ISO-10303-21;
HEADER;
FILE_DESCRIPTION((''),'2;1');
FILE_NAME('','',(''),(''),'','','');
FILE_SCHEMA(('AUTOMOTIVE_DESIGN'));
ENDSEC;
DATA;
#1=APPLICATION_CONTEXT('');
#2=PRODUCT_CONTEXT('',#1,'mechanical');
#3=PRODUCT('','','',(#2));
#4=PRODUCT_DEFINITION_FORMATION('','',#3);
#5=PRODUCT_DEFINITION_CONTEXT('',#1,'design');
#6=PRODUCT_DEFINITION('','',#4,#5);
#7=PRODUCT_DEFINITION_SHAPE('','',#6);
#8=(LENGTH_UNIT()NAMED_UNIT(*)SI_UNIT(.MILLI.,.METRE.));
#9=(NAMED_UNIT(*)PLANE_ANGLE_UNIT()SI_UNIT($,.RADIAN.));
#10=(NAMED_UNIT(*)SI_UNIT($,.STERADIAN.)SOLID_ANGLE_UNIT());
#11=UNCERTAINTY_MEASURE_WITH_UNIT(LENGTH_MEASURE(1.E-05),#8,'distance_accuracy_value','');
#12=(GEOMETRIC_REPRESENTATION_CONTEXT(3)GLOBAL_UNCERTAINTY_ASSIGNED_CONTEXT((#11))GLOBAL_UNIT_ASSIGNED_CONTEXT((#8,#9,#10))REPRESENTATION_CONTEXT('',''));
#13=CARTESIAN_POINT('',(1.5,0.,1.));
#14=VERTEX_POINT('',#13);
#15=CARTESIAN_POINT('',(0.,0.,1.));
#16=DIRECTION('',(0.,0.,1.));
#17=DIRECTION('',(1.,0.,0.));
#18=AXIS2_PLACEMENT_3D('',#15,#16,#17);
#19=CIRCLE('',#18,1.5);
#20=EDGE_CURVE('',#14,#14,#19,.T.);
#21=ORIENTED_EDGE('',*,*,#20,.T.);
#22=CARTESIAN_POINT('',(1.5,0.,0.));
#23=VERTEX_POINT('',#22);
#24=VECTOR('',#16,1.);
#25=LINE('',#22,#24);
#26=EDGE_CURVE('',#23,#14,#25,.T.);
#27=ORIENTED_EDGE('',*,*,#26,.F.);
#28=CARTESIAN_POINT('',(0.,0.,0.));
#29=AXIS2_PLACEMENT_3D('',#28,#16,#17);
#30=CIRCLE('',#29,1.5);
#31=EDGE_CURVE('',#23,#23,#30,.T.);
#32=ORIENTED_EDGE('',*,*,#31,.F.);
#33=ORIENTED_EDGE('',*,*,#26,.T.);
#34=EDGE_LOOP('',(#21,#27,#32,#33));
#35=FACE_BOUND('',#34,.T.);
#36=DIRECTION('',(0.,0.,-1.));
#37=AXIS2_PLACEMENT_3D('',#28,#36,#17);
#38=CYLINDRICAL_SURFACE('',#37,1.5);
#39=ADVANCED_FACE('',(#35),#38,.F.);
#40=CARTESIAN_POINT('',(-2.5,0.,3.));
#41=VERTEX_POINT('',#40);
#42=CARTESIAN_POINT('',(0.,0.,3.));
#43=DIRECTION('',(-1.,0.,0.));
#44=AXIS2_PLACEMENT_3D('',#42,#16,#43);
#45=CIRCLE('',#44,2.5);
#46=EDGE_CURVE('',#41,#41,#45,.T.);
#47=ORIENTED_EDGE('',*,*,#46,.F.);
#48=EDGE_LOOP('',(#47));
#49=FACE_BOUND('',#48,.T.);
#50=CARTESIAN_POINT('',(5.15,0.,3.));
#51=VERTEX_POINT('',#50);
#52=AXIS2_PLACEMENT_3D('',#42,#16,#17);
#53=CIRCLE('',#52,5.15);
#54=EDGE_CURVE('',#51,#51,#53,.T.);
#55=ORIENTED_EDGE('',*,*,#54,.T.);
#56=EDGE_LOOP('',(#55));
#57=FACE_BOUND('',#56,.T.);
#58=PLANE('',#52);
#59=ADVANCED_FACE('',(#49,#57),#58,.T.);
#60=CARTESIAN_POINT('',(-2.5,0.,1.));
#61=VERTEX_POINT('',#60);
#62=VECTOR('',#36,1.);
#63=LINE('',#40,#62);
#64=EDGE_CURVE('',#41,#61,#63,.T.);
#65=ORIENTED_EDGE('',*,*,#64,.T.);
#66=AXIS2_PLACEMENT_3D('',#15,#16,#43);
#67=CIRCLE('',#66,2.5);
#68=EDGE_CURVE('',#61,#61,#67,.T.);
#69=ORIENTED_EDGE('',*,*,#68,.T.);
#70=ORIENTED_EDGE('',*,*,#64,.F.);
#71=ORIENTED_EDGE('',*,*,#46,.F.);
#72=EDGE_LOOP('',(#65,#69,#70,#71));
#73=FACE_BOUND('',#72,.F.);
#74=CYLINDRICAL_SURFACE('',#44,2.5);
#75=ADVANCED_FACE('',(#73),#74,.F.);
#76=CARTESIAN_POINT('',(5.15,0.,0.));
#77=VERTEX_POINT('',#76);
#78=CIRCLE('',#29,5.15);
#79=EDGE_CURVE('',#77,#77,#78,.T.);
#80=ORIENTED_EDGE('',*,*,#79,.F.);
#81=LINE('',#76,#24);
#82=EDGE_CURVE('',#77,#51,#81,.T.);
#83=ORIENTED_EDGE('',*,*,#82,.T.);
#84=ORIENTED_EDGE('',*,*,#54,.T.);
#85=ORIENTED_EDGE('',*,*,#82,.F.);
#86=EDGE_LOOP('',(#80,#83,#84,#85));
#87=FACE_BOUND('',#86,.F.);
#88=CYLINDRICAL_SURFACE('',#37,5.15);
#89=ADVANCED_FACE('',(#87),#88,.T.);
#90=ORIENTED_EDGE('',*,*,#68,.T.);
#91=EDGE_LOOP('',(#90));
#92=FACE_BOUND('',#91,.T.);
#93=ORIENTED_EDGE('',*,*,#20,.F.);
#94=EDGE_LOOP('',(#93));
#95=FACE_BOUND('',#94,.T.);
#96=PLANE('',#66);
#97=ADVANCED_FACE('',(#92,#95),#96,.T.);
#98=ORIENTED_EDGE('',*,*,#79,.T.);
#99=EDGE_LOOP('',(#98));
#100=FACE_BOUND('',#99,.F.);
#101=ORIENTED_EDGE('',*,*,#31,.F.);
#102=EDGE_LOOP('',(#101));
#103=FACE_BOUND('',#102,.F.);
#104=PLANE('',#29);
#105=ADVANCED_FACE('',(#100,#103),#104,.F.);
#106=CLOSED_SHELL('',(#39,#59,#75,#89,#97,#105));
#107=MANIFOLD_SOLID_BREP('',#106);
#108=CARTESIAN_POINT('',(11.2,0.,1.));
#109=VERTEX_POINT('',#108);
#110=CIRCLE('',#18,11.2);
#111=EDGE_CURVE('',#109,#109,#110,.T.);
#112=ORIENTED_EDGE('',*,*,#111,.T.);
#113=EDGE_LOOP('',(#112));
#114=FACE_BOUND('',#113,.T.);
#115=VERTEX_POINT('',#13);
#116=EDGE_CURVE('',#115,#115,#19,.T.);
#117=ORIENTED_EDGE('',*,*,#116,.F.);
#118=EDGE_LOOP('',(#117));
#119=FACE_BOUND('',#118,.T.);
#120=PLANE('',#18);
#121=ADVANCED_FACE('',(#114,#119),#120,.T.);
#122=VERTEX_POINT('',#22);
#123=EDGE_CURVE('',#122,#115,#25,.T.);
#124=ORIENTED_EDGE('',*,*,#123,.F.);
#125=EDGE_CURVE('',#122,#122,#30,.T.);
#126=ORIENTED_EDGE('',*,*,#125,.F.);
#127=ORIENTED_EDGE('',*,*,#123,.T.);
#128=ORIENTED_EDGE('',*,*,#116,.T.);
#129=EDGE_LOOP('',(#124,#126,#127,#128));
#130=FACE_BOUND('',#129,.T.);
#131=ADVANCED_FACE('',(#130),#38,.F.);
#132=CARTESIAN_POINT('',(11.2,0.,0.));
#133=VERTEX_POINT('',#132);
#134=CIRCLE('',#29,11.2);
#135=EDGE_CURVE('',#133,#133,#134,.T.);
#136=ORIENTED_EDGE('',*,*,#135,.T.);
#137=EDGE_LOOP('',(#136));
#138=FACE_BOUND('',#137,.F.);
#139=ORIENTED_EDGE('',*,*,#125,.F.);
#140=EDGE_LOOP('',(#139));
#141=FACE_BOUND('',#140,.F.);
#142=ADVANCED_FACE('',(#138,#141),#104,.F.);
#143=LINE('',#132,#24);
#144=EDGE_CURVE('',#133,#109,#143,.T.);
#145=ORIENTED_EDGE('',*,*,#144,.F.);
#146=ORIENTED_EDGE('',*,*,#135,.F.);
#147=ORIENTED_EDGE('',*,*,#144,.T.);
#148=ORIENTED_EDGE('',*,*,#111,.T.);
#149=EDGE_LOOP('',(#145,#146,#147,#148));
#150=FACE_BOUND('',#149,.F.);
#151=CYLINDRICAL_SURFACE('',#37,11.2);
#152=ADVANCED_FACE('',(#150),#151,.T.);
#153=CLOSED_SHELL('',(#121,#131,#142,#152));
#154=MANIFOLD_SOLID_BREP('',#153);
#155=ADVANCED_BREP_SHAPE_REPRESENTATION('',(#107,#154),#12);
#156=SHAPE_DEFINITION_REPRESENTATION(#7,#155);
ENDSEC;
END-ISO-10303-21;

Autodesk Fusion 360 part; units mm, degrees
sketch "Sketch1" plane through (0, 0, 0) normal (0, 0, 1) x (1, 0, 0)
  circle A0 centre (0, 0) radius 11.2
  circle A1 centre (0, 0) radius 5.15
  circle A2 centre (0, 0) radius 1.5
  dimension "d1" = 22.4
  dimension "d2" = 10.3
  dimension "d3" = 3
extrude "Extrude1" add sketch "Sketch1" along normal blind 1 contours A0 | A1 makes body 1
extrude "Extrude2" add sketch "Sketch1" along normal blind 3 separate body contours A1 makes body 2
sketch "Sketch2" plane through (0, 0, 3) normal (0, 0, 1) x (-1, 0, 0)
  circle A0 centre (0, 0) radius 1.5
  circle A1 centre (0, 0) radius 5.15
  circle A2 centre (0, 0) radius 2.5
  dimension "d8" = 5
extrude "Extrude3" cut sketch "Sketch2" against normal blind 2 contours A2 bodies 2
